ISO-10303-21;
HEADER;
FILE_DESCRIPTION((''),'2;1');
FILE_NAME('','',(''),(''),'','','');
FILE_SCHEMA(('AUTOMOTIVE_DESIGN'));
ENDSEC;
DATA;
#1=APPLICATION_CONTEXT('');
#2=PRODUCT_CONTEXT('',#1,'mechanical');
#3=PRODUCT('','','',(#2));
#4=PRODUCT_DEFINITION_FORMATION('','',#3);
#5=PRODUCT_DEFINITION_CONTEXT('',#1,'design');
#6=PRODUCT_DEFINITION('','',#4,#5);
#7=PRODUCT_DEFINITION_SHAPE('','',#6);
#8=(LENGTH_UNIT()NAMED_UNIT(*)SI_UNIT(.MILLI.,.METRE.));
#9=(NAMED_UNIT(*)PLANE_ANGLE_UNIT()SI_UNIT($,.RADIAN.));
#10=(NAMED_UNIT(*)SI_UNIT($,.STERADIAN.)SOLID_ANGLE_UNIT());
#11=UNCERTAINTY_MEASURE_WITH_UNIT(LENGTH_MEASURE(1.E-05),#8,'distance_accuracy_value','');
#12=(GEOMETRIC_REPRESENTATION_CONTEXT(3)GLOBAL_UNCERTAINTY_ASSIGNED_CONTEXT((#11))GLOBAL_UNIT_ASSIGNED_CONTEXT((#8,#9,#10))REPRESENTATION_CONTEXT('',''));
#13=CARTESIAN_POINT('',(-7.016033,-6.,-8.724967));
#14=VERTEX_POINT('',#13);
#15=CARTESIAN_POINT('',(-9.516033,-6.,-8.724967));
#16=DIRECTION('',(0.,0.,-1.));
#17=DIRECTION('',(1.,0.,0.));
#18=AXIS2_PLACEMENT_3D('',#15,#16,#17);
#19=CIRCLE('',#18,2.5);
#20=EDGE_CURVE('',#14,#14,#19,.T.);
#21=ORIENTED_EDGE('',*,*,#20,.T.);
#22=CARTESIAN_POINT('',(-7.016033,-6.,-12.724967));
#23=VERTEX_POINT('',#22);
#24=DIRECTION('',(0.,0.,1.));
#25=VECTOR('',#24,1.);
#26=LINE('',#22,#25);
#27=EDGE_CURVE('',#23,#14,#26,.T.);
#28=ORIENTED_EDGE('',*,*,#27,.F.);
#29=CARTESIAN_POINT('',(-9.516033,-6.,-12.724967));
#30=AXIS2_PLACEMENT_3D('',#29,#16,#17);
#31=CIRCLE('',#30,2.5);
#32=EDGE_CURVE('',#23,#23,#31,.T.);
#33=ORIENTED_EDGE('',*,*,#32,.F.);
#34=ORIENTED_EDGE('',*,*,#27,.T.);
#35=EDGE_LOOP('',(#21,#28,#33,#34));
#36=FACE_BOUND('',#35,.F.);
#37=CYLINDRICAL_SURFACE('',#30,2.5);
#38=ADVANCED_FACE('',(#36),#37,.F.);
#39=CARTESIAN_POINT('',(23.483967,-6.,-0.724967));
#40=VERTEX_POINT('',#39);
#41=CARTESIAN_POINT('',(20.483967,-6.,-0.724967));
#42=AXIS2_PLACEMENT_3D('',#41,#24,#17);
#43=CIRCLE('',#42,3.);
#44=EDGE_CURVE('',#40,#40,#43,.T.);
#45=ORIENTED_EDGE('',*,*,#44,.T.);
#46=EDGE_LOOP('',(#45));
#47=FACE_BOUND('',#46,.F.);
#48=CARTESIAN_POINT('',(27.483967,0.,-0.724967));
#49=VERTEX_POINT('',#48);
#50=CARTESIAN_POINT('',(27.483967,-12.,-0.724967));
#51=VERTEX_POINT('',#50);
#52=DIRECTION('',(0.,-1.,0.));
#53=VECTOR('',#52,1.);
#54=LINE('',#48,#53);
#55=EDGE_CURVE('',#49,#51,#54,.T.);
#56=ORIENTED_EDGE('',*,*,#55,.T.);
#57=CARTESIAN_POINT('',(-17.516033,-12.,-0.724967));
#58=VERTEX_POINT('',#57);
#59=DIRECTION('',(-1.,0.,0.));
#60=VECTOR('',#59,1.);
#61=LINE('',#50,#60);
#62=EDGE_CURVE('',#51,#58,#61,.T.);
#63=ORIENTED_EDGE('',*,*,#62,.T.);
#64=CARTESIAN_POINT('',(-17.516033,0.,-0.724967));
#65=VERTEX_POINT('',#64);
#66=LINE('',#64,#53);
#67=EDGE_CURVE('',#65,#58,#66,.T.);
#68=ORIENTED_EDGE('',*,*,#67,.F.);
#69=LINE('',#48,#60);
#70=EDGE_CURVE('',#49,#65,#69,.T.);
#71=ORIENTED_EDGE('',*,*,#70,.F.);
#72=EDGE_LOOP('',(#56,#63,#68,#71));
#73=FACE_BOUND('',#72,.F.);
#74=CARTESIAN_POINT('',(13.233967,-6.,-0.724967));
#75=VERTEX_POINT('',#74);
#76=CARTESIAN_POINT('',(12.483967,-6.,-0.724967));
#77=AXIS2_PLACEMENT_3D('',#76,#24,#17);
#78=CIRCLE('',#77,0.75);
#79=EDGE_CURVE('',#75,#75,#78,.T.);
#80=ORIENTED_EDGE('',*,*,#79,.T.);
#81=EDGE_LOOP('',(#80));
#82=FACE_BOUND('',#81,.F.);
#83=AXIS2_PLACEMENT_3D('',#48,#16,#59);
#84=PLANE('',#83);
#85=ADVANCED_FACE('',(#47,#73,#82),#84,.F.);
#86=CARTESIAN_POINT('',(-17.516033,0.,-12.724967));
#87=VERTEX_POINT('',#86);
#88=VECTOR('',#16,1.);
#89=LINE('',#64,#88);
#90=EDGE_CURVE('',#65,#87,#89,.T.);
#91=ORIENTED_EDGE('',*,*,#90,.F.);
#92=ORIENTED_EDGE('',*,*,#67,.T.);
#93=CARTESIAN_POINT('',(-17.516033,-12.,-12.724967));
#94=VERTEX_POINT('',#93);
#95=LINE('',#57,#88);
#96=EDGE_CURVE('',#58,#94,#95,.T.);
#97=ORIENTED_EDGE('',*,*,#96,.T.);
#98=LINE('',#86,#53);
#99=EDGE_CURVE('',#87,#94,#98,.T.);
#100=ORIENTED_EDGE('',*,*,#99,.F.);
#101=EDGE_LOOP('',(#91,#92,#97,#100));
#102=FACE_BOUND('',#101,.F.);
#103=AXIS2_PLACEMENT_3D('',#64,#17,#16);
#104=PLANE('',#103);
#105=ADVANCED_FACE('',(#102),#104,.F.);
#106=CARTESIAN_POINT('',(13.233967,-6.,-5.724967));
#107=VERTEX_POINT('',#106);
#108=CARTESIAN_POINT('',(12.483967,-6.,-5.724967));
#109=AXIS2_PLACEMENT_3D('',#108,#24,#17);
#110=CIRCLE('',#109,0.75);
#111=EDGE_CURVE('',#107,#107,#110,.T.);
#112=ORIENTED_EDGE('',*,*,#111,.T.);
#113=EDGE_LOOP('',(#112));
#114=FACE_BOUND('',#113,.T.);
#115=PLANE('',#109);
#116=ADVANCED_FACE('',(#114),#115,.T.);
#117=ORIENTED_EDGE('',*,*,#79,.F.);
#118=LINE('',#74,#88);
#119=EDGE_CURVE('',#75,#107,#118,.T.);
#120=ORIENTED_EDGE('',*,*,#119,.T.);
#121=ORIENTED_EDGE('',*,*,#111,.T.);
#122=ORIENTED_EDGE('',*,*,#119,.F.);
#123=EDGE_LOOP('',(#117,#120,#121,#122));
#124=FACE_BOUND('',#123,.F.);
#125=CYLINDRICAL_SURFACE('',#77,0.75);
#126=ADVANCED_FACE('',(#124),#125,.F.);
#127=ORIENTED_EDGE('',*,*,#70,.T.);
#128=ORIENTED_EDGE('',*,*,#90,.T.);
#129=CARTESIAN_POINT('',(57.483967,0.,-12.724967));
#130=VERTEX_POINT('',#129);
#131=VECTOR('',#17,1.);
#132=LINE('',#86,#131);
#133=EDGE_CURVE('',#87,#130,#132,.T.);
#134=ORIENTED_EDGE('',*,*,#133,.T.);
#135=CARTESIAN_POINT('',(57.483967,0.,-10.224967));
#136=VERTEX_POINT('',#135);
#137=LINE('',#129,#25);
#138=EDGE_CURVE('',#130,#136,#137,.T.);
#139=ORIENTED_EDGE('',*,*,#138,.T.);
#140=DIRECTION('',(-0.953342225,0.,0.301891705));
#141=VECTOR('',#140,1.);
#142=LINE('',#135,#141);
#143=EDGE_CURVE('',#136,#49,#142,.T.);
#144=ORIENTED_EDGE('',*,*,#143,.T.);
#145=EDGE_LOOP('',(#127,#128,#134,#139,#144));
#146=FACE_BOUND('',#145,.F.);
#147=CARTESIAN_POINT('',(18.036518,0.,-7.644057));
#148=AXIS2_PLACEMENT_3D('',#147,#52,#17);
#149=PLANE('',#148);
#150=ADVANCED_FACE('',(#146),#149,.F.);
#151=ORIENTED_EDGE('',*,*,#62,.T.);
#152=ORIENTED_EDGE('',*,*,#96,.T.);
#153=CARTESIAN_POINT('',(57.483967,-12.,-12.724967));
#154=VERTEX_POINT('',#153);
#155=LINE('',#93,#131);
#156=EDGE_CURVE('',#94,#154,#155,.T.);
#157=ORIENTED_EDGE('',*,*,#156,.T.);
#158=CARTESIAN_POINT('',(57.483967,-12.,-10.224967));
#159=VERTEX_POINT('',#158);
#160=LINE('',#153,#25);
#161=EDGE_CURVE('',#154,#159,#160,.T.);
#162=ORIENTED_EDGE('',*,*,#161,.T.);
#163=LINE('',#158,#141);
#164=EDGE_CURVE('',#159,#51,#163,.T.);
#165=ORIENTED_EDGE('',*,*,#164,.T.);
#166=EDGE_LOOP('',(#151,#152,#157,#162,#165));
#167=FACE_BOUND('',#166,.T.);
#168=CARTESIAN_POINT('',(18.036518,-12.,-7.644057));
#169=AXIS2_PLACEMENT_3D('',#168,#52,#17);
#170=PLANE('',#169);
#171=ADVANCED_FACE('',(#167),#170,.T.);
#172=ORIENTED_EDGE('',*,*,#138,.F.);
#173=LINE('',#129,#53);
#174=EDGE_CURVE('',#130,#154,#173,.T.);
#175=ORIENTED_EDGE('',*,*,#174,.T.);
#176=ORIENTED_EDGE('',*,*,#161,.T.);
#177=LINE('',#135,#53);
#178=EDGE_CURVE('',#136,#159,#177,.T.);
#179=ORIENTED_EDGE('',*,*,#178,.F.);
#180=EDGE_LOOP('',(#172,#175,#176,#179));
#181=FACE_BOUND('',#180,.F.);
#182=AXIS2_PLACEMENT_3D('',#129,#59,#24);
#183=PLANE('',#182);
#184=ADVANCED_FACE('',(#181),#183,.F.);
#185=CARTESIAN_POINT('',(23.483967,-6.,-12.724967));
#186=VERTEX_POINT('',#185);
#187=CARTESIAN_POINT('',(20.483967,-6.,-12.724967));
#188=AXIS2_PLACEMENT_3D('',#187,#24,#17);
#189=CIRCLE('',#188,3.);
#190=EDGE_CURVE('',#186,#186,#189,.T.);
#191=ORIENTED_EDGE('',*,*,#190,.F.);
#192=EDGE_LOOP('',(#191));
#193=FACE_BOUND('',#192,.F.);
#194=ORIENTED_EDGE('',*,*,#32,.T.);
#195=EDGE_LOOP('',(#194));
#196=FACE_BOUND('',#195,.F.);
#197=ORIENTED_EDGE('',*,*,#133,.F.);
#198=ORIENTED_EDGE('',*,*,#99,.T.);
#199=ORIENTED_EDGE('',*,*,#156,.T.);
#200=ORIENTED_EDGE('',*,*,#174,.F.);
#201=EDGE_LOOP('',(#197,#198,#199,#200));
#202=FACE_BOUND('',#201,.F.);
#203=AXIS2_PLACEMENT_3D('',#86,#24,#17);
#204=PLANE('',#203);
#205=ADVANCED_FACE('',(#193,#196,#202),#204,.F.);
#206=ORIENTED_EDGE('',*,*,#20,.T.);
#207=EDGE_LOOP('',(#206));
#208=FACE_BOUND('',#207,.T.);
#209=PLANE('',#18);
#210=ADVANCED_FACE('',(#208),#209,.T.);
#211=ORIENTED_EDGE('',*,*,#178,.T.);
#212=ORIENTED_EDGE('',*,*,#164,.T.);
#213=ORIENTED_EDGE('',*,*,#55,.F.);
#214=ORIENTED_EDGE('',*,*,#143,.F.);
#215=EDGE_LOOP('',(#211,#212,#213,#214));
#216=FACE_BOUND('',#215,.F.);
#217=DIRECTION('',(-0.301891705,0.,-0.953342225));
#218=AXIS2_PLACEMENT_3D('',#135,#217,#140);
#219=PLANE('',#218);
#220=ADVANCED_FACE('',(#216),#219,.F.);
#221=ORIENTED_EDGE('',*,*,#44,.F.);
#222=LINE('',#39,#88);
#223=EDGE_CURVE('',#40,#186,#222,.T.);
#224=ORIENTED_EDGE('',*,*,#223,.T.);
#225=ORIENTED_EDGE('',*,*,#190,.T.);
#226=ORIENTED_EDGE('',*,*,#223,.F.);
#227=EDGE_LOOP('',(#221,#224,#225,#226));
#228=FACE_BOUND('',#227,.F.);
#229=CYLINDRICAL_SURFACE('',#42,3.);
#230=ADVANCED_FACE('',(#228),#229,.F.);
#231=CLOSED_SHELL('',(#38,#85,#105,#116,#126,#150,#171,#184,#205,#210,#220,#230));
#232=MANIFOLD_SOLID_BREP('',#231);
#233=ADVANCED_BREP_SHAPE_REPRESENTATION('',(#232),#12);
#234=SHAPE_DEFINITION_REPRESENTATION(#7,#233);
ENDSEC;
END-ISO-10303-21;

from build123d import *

# Parameters (mm, degrees)
F1_DEPTH = 12
F2_R     = 3
F3_DEPTH = 12.001
F4_R     = 0.75
F5_DEPTH = 5
F6_R     = 2.5
F7_DEPTH = 4


with BuildPart() as f1:
    # F0 (on Front) → F1 (new body)
    with BuildSketch(Plane.XZ):
        Polygon((27.483967, -0.724967), (-17.516033, -0.724967), (-17.516033, -12.724967), (57.483967, -12.724967), (57.483967, -10.224967), align=None)
    extrude(amount=F1_DEPTH)

    # F2 (on face) → F3 (cut, through all)
    with BuildSketch(Plane.XY.offset(-0.724967)):
        with Locations((20.483967, -6)):
            Circle(F2_R)
    extrude(amount=-F3_DEPTH, mode=Mode.SUBTRACT)

    # F4 (on face) → F5 (cut)
    with BuildSketch(Plane.XY.offset(-0.724967)):
        with Locations((12.483967, -6)):
            Circle(F4_R)
    extrude(amount=-F5_DEPTH, mode=Mode.SUBTRACT)

    # F6 (on face) → F7 (cut)
    with BuildSketch(Plane(origin=(0, 0, -12.724967), x_dir=(1, 0, 0), z_dir=(0, 0, -1))):
        with Locations((-9.516033, 6)):
            Circle(F6_R)
    extrude(amount=-F7_DEPTH, mode=Mode.SUBTRACT)


solid = f1.part
